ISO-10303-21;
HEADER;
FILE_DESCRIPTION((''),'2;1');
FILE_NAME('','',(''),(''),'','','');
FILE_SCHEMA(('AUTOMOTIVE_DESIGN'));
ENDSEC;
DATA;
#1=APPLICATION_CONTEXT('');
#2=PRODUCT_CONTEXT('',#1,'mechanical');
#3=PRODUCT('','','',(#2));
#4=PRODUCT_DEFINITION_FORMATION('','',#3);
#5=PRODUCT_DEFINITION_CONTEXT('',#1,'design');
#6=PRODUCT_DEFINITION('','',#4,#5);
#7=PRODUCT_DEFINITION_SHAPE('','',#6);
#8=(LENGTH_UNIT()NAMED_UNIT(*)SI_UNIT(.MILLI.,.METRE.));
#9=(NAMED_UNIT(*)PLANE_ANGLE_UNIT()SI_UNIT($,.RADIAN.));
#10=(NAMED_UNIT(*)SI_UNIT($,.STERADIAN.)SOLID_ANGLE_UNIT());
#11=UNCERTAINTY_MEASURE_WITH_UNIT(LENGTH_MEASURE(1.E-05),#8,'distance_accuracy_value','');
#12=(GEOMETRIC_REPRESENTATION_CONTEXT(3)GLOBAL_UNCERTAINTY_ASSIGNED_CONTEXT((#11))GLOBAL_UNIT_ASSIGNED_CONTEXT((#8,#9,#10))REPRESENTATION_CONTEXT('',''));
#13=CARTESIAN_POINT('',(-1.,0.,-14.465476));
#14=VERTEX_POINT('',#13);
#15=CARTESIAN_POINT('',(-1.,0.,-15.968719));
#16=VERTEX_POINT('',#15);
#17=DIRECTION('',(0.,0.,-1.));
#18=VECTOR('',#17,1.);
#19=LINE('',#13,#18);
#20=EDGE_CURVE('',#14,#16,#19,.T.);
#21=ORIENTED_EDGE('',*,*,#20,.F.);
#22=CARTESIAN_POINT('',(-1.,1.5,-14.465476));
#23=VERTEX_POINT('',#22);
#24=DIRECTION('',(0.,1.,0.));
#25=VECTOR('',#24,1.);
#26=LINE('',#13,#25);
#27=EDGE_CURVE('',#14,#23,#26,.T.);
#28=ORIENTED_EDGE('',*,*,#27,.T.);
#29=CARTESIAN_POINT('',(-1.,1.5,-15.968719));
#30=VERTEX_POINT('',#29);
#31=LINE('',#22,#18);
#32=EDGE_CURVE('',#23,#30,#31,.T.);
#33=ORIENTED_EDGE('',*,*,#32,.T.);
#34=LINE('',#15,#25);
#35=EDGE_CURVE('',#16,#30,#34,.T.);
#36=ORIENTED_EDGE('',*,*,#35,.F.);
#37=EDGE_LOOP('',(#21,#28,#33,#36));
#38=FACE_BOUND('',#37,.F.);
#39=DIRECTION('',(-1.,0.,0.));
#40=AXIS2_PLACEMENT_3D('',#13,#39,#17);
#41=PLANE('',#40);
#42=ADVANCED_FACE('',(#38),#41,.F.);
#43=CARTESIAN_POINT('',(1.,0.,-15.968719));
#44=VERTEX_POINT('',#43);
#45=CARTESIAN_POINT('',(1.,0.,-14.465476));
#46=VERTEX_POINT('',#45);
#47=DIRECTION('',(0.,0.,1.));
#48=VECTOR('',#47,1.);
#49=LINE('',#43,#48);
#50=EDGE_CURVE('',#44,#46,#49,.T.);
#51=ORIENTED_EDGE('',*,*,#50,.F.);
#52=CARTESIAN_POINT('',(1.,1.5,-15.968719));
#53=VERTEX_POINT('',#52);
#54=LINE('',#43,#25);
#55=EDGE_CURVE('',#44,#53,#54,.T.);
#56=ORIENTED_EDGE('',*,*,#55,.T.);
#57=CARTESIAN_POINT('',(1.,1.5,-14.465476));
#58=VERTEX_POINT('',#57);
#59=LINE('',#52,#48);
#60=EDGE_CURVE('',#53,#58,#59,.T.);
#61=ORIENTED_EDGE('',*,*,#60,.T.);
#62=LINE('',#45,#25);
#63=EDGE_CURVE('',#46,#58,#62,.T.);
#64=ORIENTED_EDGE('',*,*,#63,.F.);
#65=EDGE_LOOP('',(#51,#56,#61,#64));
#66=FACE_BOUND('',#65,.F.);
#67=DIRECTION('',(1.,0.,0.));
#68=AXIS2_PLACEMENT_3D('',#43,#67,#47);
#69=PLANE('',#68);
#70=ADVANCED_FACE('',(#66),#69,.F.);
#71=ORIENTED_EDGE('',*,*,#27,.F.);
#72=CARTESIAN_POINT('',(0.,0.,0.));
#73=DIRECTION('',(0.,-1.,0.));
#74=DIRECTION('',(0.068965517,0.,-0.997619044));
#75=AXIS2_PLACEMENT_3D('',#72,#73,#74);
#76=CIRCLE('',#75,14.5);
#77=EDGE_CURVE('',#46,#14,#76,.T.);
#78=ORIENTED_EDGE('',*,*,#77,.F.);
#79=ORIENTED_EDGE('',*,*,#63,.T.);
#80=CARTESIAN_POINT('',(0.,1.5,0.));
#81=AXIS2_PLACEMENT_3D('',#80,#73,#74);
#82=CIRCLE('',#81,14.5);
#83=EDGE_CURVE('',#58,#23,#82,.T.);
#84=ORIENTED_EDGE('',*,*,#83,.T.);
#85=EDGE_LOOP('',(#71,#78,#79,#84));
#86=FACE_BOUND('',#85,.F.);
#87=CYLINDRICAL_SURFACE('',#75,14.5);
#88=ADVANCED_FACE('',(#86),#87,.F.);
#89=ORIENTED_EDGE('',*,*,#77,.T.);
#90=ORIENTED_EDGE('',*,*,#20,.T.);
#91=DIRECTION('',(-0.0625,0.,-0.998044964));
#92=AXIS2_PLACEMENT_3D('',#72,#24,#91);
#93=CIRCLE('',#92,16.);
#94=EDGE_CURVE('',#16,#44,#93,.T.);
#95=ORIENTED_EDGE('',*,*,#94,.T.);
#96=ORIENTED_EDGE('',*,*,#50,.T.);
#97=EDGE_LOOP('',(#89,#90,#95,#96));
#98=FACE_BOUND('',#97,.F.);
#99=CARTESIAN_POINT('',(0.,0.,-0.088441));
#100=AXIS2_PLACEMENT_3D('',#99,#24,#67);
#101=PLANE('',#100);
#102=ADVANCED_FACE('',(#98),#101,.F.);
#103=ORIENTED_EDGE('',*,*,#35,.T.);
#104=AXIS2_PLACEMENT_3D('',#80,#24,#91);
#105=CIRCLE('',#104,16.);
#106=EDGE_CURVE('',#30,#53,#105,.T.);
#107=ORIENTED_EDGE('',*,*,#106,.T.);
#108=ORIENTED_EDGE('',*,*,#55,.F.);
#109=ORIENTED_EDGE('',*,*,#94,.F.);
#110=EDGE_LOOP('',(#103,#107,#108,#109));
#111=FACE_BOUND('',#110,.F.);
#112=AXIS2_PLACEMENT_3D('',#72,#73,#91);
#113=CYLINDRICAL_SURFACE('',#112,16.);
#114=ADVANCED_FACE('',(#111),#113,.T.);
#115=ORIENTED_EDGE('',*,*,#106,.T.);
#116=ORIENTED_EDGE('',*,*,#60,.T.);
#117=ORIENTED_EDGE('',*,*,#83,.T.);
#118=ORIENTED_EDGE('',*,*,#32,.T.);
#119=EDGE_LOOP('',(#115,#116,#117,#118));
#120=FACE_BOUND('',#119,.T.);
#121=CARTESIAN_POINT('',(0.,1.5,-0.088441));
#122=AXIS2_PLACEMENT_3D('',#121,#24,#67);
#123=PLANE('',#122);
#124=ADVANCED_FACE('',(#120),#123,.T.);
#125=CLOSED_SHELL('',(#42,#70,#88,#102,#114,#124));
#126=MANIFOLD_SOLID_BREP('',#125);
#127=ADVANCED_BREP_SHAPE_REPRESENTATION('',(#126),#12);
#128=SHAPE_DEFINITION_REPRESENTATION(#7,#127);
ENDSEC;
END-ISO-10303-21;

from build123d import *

# Parameters (mm, degrees)
BOSS_EXTRUDE1_DEPTH = 1.5


with BuildPart() as part:
    # Sketch1 → Boss-Extrude1 (new body)
    with BuildSketch(Plane(origin=(0, 0, 0), x_dir=(1, 0, 0), z_dir=(0, 1, 0))):
        with BuildLine():
            Line((-1, 14.465476141), (-1, 15.968719423))
            ThreePointArc((-1, 15.968719423), (0, -16), (1, 15.968719423))
            Line((1, 15.968719423), (1, 14.465476141))
            ThreePointArc((1, 14.465476141), (0, -14.5), (-1, 14.465476141))
        make_face()
    extrude(amount=BOSS_EXTRUDE1_DEPTH)


solid = part.part
